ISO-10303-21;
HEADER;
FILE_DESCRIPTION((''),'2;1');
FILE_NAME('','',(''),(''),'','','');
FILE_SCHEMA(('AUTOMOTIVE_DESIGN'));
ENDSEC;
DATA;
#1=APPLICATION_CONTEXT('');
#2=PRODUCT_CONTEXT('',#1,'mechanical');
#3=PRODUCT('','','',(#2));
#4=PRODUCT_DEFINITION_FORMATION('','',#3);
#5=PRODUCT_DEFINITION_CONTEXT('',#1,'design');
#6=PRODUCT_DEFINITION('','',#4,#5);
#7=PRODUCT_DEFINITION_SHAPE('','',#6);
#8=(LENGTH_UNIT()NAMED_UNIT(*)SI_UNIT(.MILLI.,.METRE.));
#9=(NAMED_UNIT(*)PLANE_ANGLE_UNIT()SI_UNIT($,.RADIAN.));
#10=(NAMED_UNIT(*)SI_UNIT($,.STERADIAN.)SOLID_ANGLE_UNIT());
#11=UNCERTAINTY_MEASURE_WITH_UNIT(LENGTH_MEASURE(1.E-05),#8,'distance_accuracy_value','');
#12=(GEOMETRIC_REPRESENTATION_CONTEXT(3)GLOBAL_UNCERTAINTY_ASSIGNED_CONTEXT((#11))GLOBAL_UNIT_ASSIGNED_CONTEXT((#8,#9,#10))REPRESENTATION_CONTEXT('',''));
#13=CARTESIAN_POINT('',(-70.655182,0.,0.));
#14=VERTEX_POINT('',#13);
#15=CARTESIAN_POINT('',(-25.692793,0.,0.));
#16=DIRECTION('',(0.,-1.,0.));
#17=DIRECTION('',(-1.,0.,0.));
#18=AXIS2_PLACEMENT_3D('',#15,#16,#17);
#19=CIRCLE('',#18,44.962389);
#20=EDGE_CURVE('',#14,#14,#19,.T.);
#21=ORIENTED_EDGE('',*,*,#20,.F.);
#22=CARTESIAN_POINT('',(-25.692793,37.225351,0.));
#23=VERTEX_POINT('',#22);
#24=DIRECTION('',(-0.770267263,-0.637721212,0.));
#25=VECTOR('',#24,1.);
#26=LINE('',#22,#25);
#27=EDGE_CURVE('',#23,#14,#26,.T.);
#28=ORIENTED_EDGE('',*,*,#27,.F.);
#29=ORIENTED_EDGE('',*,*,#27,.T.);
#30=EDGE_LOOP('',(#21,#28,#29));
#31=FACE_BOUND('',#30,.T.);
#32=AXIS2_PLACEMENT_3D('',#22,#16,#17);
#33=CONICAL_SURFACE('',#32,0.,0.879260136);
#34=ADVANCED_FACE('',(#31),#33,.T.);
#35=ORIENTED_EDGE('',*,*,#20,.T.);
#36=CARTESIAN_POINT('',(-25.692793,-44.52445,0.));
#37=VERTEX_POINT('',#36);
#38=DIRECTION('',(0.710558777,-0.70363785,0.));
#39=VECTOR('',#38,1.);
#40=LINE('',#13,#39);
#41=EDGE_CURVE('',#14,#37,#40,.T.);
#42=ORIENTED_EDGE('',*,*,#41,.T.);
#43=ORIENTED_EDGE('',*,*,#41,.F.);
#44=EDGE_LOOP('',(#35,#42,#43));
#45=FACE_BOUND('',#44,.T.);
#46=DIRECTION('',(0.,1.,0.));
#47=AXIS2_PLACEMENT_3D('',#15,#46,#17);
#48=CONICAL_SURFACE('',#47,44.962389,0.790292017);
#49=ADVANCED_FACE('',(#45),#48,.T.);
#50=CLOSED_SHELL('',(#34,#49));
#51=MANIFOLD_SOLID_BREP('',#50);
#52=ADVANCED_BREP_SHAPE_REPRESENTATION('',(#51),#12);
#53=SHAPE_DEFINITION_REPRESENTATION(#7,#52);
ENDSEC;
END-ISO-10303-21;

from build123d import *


with BuildPart() as f1:
    # F0 (on Top) → F1 (revolve)
    with BuildSketch(Plane.XY):
        Polygon((-25.692793, -44.52445), (-25.692793, 37.225351), (-70.655182, 0), align=None)
    revolve(axis=Axis((-25.692793, -3.64955, 0), (0, -1, 0)))


solid = f1.part
